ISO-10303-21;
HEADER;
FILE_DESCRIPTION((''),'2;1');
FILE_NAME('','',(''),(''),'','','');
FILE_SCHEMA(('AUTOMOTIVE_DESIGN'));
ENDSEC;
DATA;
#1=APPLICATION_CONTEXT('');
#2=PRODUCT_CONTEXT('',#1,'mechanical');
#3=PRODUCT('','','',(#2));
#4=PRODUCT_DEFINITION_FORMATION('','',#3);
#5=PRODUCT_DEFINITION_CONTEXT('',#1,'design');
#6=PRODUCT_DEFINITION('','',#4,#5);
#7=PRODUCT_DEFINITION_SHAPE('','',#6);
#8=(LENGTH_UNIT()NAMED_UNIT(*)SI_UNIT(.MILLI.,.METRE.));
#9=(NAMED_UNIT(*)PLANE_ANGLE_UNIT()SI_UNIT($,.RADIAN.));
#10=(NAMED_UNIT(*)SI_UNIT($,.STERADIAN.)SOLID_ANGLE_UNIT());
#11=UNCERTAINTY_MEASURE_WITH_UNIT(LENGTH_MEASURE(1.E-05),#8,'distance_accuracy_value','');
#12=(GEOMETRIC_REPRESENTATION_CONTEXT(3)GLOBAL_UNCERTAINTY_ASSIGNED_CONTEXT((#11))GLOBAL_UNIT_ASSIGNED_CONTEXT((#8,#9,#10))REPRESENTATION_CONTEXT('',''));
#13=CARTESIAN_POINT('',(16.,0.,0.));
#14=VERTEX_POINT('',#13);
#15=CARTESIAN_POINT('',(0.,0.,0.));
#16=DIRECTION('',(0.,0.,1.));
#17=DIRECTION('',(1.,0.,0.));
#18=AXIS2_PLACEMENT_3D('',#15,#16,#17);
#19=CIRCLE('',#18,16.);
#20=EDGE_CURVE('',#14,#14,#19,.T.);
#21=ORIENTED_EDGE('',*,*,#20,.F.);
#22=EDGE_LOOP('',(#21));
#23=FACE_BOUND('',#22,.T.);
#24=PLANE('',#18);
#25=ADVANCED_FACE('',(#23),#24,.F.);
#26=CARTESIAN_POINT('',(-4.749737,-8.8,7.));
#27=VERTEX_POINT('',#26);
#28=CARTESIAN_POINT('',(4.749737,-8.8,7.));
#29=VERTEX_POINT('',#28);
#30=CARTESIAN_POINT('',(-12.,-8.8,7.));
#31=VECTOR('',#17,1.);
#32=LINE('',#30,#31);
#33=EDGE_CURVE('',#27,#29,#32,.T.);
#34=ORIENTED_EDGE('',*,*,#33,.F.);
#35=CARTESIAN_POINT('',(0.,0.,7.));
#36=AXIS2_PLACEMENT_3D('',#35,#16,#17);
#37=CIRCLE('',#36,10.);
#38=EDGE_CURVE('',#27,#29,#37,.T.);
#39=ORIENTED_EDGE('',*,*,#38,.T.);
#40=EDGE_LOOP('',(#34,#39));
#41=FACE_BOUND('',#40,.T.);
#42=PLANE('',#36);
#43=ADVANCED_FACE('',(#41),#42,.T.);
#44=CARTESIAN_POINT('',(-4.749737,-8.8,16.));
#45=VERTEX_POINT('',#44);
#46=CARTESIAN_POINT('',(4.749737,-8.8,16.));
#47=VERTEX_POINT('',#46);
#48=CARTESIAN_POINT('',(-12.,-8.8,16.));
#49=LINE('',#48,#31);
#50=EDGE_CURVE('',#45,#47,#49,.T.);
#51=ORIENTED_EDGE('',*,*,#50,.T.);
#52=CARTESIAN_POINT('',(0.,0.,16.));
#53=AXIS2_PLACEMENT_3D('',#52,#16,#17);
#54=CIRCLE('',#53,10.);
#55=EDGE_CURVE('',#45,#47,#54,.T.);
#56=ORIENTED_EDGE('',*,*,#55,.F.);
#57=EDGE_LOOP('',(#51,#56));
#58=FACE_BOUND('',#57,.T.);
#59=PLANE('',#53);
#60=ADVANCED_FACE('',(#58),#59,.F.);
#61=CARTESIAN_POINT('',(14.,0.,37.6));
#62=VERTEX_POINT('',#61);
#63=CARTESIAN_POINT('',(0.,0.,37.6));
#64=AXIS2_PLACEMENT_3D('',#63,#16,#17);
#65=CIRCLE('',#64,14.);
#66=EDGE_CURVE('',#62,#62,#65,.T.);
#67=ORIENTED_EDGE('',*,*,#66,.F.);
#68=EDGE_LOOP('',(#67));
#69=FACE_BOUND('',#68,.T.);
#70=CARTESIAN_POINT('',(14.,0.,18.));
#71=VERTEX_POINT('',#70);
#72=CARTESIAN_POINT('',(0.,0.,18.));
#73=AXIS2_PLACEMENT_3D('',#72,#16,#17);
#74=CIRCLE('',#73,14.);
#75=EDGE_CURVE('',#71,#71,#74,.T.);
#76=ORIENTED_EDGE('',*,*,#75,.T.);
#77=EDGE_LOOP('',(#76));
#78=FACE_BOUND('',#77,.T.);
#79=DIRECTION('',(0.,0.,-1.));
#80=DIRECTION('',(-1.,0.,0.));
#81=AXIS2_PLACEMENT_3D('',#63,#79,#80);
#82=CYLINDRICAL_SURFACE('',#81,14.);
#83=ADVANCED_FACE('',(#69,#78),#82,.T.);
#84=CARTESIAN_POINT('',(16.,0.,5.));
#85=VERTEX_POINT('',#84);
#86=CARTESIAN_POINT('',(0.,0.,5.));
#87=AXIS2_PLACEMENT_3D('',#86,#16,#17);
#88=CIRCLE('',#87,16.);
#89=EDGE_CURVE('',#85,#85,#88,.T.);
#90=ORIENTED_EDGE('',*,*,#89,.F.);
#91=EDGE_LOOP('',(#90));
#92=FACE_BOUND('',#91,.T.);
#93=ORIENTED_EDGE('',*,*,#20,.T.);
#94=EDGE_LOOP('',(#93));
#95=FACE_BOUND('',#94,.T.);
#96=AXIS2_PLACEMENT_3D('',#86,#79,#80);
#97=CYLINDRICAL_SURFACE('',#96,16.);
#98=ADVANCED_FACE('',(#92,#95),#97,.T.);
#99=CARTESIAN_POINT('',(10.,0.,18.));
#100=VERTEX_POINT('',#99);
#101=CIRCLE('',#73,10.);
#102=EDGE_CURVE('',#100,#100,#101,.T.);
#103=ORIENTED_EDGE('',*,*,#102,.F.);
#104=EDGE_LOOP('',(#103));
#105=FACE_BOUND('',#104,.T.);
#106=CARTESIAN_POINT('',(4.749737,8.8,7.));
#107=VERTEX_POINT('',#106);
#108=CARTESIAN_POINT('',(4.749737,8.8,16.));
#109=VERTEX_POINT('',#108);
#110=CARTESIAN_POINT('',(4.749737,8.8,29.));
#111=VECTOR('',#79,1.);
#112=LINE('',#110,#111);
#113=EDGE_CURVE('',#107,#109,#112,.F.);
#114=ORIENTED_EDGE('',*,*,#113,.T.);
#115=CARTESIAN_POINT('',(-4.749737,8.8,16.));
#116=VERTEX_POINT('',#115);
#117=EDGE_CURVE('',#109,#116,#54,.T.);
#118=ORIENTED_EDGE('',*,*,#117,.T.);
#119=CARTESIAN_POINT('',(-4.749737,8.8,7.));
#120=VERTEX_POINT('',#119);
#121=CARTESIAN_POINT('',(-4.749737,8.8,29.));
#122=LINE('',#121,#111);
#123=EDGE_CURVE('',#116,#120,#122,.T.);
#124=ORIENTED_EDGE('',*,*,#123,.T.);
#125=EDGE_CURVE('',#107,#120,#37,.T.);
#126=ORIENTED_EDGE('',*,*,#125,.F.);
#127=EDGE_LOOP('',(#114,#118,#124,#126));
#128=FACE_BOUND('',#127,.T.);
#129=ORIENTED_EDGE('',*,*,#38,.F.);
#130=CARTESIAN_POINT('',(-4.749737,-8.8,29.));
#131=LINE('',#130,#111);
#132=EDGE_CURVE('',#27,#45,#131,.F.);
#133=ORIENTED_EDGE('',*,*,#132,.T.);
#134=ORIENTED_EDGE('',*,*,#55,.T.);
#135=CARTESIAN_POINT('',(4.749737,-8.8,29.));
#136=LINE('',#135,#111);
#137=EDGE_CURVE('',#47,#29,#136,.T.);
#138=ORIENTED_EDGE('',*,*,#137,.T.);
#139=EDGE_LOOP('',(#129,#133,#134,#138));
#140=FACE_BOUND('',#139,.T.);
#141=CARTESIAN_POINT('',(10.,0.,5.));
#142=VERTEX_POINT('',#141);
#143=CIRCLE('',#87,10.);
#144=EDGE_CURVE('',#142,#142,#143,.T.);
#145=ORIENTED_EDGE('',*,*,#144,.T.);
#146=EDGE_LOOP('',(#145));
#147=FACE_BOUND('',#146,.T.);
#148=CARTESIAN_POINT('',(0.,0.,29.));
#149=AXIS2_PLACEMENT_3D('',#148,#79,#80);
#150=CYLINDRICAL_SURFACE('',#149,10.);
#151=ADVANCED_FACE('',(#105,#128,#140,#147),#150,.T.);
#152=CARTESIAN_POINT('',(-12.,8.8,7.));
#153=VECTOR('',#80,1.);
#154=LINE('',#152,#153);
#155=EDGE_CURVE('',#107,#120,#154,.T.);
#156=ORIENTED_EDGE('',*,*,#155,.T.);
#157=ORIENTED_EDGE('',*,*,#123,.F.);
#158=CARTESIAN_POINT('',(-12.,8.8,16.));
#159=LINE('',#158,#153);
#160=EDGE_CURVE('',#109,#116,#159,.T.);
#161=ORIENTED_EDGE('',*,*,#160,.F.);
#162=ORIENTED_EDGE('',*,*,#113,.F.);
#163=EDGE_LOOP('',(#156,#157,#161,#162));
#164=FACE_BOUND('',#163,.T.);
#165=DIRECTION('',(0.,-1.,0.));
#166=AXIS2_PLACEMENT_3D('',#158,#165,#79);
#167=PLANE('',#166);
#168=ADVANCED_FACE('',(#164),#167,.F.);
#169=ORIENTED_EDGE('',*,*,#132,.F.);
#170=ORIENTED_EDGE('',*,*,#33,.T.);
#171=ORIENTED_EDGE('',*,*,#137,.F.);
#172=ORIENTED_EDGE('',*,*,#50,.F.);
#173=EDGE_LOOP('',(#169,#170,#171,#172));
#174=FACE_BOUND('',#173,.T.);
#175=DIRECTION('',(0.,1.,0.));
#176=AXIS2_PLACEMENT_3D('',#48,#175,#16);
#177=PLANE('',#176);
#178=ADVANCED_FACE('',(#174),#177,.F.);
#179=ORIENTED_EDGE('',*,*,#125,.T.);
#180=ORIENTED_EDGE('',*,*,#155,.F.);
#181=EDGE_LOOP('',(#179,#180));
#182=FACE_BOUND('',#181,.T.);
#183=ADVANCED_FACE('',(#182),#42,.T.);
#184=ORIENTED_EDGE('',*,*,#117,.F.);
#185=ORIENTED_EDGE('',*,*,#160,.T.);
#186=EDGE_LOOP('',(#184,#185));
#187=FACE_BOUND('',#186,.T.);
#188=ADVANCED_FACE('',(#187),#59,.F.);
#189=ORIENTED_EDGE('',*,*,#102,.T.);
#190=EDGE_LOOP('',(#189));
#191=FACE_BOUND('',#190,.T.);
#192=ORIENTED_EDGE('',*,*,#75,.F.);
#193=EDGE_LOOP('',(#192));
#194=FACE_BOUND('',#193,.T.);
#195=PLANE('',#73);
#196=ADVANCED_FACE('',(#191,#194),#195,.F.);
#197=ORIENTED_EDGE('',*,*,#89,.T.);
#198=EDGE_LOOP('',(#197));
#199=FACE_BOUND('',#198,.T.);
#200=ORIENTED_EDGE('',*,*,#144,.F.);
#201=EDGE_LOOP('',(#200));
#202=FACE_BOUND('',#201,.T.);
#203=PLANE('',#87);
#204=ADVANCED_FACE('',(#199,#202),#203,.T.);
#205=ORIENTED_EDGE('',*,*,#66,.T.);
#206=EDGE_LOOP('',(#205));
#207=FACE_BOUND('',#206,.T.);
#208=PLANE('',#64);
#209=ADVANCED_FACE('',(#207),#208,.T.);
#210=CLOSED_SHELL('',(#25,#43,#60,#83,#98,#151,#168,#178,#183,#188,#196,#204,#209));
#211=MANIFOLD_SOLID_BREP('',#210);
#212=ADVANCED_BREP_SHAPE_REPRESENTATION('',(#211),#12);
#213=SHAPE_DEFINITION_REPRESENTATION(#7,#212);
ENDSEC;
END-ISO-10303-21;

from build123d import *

# Parameters (mm, degrees)
SKETCH1_R           = 16
BOSS_EXTRUDE1_DEPTH = 5
SKETCH2_R           = 10
BOSS_EXTRUDE2_DEPTH = 24
SKETCH4_OUTSIDE_W   = 44.75
SKETCH4_OUTSIDE_H   = 44.75
SKETCH4_OUTSIDE_W_2 = 24
SKETCH4_OUTSIDE_H_2 = 17.6
CUT_EXTRUDE1_DEPTH  = 9
SKETCH5_R           = 14
BOSS_EXTRUDE3_DEPTH = 19.6


with BuildPart() as part:
    # Sketch1 → Boss-Extrude1 (new body)
    with BuildSketch(Plane.XY):
        Circle(SKETCH1_R)
    extrude(amount=BOSS_EXTRUDE1_DEPTH)

    # Sketch2 → Boss-Extrude2 (add)
    with BuildSketch(Plane.XY.offset(5)):
        Circle(SKETCH2_R)
    extrude(amount=BOSS_EXTRUDE2_DEPTH)

    # Sketch4 outside → Cut-Extrude1 (cut)
    with BuildSketch(Plane.XY.offset(7)):
        Rectangle(SKETCH4_OUTSIDE_W, SKETCH4_OUTSIDE_H)
        Rectangle(SKETCH4_OUTSIDE_W_2, SKETCH4_OUTSIDE_H_2, mode=Mode.SUBTRACT)
    extrude(amount=CUT_EXTRUDE1_DEPTH, mode=Mode.SUBTRACT)

    # Sketch5 → Boss-Extrude3 (add)
    with BuildSketch(Plane.XY.offset(18)):
        Circle(SKETCH5_R)
    extrude(amount=BOSS_EXTRUDE3_DEPTH)


solid = part.part
